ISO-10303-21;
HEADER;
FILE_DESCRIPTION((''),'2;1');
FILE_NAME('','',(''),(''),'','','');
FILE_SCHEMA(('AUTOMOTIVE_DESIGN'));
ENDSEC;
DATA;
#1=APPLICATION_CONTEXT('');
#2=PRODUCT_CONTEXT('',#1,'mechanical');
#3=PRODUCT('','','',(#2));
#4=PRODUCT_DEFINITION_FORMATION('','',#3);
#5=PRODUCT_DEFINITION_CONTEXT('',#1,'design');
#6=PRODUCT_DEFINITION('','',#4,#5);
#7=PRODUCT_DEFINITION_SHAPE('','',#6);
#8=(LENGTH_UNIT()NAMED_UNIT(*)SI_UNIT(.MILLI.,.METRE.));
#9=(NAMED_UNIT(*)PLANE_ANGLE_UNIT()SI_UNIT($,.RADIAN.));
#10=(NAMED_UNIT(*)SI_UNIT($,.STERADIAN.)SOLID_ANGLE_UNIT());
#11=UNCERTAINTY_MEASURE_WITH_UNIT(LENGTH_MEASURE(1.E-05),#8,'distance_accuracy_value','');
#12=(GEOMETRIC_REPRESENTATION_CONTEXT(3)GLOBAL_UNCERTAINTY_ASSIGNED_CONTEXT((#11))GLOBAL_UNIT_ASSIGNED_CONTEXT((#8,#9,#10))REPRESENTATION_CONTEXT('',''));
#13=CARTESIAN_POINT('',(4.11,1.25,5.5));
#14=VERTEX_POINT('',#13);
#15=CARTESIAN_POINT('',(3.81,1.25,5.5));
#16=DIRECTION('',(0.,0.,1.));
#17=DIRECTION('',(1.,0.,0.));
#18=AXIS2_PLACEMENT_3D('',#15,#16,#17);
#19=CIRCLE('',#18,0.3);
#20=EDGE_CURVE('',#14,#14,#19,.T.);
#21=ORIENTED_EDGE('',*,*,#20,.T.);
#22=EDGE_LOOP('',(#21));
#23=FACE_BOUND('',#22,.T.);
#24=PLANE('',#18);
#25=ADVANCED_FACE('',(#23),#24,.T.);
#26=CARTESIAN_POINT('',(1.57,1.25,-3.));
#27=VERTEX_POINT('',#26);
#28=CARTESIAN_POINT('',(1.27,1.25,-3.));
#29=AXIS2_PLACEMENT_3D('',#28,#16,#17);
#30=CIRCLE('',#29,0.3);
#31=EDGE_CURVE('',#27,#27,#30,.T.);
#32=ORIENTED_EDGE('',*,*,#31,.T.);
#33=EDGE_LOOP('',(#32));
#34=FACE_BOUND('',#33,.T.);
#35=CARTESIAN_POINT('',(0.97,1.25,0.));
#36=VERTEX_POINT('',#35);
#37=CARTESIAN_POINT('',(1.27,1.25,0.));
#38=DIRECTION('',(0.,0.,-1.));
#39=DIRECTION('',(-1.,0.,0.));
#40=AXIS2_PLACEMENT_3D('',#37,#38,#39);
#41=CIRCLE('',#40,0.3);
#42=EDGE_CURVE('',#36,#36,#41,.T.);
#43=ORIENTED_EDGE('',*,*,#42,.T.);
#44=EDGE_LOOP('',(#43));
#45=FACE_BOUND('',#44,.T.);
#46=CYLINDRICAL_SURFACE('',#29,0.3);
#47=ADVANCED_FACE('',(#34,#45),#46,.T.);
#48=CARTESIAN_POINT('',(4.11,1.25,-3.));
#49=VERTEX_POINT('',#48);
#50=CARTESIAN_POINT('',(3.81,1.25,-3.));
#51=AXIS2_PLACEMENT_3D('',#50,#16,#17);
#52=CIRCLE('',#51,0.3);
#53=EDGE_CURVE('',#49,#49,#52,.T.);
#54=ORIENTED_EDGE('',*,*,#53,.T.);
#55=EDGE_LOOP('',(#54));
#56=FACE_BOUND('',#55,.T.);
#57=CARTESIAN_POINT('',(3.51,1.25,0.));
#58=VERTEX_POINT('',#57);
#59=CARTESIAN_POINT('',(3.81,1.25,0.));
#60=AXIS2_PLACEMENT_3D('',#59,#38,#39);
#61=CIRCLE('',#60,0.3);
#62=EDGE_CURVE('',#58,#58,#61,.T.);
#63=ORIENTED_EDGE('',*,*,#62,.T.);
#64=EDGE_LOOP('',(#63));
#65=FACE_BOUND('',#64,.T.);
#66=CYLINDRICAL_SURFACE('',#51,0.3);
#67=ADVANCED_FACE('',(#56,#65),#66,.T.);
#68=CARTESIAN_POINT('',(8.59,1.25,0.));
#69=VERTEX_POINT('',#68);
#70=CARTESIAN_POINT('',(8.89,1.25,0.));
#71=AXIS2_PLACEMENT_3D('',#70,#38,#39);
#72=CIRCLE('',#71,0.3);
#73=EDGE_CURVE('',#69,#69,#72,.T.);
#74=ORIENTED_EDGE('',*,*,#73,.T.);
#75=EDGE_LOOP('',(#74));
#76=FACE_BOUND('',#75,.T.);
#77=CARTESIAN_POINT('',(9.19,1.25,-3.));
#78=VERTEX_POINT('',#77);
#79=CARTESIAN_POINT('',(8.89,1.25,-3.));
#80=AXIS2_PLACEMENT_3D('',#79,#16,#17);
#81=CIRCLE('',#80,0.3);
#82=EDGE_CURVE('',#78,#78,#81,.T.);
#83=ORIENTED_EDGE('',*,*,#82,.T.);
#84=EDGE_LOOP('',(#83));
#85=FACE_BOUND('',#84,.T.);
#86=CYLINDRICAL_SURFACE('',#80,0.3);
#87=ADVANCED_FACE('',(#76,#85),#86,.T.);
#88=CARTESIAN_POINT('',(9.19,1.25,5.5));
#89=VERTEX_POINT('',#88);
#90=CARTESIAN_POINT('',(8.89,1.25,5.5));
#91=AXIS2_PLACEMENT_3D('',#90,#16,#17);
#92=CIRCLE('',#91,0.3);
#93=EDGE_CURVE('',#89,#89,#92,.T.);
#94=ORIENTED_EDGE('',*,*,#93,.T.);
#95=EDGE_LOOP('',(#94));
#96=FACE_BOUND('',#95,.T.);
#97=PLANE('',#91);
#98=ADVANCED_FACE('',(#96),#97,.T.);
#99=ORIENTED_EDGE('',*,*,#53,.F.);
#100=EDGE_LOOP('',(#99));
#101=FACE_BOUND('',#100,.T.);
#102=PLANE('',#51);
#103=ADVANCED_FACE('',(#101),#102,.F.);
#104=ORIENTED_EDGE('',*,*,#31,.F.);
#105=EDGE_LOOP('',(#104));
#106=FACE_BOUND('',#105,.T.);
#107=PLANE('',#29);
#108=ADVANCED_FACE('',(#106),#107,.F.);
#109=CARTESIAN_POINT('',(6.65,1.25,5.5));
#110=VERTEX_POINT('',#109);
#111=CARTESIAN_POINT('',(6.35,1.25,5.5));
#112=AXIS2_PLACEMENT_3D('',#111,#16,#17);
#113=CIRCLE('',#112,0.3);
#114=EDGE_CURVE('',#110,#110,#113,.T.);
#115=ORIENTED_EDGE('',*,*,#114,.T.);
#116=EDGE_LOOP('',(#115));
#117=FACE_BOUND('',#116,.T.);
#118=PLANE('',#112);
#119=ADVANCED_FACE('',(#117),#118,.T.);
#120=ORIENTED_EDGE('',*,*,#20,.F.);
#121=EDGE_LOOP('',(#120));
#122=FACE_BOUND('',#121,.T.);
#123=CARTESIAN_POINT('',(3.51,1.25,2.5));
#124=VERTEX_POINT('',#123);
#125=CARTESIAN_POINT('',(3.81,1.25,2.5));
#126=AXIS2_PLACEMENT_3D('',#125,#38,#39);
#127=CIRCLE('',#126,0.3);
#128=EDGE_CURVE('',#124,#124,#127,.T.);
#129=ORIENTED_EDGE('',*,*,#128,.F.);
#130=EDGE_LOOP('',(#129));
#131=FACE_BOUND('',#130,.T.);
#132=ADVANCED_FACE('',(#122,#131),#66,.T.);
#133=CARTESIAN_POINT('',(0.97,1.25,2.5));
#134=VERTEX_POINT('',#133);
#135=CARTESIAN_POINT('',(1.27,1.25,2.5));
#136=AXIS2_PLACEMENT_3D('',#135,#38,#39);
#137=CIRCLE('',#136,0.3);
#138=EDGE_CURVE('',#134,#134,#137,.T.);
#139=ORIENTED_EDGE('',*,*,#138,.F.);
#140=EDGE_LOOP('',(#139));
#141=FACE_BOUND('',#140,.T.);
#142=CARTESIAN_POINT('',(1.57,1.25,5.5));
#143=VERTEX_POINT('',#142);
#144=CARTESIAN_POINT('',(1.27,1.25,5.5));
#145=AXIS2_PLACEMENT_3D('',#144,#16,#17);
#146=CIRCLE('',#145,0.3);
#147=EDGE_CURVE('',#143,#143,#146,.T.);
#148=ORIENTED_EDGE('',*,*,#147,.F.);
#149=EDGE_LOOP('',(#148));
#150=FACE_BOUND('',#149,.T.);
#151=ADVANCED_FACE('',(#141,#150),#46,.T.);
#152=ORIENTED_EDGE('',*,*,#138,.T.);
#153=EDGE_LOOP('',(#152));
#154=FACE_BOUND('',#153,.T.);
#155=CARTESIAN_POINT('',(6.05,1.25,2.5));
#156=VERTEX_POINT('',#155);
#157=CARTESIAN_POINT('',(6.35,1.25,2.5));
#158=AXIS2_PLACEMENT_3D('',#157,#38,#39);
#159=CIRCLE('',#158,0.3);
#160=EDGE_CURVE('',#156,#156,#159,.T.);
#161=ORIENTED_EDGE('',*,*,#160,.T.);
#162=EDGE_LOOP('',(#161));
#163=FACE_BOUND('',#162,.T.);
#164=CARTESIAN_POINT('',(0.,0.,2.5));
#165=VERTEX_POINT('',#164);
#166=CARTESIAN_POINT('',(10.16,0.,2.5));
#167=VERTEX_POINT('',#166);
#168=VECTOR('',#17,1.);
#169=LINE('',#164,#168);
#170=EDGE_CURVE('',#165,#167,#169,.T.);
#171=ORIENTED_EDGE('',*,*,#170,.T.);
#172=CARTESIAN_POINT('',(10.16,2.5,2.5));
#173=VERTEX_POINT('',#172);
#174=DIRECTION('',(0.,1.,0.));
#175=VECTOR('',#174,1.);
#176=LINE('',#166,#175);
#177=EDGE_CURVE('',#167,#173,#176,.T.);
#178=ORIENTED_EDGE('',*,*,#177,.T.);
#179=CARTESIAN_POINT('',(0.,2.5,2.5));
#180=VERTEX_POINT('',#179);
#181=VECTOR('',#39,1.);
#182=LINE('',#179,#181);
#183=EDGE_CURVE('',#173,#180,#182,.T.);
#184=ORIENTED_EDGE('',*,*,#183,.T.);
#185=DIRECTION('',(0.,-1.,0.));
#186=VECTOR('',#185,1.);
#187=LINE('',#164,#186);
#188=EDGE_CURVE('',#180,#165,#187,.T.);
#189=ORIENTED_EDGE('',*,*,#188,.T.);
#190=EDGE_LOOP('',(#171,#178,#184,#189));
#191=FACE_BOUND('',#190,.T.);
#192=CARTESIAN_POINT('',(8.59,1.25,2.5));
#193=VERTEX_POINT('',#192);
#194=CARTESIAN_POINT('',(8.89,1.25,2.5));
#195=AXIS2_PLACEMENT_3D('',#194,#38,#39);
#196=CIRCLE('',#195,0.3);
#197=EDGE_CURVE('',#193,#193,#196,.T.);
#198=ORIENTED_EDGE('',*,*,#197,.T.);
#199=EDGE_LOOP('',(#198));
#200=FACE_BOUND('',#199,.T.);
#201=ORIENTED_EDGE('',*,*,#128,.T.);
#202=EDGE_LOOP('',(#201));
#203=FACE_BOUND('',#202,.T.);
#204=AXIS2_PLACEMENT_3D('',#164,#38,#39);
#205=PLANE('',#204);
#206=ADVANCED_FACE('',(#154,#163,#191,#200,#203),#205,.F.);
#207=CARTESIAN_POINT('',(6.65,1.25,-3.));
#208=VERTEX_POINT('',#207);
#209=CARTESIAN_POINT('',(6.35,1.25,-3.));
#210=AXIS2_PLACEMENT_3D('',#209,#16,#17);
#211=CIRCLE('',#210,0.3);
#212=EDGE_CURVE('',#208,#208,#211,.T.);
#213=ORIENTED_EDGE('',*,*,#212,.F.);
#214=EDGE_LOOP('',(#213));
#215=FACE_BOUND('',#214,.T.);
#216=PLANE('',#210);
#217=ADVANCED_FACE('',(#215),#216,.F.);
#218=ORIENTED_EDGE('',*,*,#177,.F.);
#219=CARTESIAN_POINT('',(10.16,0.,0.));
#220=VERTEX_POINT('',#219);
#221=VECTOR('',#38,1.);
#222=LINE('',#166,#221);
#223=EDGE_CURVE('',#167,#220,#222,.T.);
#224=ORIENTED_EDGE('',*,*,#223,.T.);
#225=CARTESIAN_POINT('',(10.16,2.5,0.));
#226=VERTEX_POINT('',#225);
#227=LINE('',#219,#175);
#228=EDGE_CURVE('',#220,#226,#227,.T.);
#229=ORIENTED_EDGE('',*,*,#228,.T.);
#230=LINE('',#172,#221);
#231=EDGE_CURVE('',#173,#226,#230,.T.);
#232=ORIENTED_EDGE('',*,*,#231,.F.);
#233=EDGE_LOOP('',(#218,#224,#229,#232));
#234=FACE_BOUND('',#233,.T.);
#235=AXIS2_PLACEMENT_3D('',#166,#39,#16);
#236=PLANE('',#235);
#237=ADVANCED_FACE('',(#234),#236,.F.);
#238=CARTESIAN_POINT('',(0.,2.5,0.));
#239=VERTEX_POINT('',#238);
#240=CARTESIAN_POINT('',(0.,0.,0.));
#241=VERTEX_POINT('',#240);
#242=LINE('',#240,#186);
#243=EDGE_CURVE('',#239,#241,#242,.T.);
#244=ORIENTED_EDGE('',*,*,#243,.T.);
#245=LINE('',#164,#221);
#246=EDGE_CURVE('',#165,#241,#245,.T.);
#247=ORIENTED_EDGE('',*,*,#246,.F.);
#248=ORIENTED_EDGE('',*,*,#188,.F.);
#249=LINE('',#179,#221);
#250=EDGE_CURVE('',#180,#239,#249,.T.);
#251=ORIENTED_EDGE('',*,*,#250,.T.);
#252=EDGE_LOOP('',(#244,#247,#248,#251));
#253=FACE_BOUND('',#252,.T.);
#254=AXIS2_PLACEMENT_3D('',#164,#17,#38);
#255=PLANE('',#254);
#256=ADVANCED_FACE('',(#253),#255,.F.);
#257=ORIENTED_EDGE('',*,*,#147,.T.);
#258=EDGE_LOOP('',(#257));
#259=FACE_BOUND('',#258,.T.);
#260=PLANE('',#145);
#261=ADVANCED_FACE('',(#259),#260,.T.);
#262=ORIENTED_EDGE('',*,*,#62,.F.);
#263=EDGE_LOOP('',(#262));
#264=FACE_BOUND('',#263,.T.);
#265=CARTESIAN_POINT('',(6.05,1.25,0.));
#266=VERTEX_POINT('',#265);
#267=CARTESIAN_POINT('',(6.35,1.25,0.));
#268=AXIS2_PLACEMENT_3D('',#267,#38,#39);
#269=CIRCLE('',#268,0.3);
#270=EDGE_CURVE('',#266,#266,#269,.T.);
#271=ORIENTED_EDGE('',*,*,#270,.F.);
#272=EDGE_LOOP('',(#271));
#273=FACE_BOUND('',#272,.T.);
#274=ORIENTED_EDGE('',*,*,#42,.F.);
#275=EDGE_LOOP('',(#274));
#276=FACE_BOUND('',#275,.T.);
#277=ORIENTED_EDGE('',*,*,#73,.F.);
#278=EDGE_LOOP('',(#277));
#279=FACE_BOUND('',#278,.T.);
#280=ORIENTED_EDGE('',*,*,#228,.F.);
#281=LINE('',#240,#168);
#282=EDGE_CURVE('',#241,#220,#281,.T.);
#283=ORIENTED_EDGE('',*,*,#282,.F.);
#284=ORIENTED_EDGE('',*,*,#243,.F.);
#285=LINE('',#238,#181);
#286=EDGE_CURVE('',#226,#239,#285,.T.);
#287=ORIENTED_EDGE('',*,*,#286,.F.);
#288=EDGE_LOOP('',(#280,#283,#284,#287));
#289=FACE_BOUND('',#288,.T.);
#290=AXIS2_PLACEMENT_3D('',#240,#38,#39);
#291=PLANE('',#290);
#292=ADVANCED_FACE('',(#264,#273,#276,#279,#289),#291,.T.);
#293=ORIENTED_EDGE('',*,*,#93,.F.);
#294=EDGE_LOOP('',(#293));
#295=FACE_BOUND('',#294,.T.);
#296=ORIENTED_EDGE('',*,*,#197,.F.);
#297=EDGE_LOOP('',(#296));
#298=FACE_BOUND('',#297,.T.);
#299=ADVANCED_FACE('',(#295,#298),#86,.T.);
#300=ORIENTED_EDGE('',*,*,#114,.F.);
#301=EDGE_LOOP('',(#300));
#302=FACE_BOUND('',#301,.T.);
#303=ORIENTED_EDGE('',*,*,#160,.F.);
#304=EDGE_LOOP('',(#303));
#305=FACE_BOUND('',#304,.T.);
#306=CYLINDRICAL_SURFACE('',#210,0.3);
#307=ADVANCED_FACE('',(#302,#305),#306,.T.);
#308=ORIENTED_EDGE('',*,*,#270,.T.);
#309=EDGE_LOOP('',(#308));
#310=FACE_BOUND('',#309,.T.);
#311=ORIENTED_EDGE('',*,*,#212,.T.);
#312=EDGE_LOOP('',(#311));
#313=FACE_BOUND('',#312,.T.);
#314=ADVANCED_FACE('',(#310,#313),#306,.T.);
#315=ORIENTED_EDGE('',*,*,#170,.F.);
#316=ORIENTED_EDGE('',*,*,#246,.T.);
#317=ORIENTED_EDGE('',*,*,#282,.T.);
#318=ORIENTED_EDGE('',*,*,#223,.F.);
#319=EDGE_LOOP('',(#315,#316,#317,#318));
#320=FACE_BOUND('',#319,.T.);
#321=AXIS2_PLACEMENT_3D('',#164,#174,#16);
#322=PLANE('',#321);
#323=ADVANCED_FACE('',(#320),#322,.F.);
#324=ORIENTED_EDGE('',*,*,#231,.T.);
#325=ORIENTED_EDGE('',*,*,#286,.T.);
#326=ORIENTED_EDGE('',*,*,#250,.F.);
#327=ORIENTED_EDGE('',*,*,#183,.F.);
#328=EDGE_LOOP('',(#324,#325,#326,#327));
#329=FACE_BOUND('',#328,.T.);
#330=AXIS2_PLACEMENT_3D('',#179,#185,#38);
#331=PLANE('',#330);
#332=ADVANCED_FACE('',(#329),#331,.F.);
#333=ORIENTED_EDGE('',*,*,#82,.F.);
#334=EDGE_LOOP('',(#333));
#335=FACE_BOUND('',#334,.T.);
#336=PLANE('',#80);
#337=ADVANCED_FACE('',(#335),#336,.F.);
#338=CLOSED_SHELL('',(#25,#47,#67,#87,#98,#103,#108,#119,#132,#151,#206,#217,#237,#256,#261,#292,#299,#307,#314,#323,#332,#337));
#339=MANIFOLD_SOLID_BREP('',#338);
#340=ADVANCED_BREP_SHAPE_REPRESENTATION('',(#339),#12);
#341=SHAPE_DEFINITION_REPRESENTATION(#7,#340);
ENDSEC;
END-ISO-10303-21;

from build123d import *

# Parameters (mm, degrees)
SKETCH_1_W                 = 10.16
SKETCH_1_H                 = 2.5
EXTRUDE_1_DEPTH            = 2.5
EXTRUDE_START              = -5.5
SKETCH_2_R                 = 0.3
EXTRUDE_2_DEPTH            = 8.5
PATTERN_LINEAR_1_COUNT     = 3
PATTERN_LINEAR_1_PITCH     = 2.54
PATTERN_LINEAR_1_COL_COUNT = 2
PATTERN_LINEAR_1_COL_PITCH = 2.54


with BuildPart() as part:
    # 草图1 → 凸台-拉伸1 (new body)
    with BuildSketch(Plane.XY):
        with Locations((5.08, 1.25)):
            Rectangle(SKETCH_1_W, SKETCH_1_H)
    extrude(amount=EXTRUDE_1_DEPTH)

    # 草图2 → 凸台-拉伸2 (add)
    with BuildSketch(Plane.XY.offset(2.5).offset(EXTRUDE_START)):
        with Locations((3.81, 1.25)):
            Circle(SKETCH_2_R)
    extrude_2 = extrude(amount=EXTRUDE_2_DEPTH)

    # 阵列(线性)1: 凸台-拉伸2 ×3
    with Locations(*[(i * PATTERN_LINEAR_1_PITCH, 0, 0) for i in range(1, PATTERN_LINEAR_1_COUNT)]):
        add(extrude_2)

    # 阵列(线性)1 col: 凸台-拉伸2 ×2
    with Locations(*[(-i * PATTERN_LINEAR_1_COL_PITCH, 0, 0) for i in range(1, PATTERN_LINEAR_1_COL_COUNT)]):
        add(extrude_2)


solid = part.part
